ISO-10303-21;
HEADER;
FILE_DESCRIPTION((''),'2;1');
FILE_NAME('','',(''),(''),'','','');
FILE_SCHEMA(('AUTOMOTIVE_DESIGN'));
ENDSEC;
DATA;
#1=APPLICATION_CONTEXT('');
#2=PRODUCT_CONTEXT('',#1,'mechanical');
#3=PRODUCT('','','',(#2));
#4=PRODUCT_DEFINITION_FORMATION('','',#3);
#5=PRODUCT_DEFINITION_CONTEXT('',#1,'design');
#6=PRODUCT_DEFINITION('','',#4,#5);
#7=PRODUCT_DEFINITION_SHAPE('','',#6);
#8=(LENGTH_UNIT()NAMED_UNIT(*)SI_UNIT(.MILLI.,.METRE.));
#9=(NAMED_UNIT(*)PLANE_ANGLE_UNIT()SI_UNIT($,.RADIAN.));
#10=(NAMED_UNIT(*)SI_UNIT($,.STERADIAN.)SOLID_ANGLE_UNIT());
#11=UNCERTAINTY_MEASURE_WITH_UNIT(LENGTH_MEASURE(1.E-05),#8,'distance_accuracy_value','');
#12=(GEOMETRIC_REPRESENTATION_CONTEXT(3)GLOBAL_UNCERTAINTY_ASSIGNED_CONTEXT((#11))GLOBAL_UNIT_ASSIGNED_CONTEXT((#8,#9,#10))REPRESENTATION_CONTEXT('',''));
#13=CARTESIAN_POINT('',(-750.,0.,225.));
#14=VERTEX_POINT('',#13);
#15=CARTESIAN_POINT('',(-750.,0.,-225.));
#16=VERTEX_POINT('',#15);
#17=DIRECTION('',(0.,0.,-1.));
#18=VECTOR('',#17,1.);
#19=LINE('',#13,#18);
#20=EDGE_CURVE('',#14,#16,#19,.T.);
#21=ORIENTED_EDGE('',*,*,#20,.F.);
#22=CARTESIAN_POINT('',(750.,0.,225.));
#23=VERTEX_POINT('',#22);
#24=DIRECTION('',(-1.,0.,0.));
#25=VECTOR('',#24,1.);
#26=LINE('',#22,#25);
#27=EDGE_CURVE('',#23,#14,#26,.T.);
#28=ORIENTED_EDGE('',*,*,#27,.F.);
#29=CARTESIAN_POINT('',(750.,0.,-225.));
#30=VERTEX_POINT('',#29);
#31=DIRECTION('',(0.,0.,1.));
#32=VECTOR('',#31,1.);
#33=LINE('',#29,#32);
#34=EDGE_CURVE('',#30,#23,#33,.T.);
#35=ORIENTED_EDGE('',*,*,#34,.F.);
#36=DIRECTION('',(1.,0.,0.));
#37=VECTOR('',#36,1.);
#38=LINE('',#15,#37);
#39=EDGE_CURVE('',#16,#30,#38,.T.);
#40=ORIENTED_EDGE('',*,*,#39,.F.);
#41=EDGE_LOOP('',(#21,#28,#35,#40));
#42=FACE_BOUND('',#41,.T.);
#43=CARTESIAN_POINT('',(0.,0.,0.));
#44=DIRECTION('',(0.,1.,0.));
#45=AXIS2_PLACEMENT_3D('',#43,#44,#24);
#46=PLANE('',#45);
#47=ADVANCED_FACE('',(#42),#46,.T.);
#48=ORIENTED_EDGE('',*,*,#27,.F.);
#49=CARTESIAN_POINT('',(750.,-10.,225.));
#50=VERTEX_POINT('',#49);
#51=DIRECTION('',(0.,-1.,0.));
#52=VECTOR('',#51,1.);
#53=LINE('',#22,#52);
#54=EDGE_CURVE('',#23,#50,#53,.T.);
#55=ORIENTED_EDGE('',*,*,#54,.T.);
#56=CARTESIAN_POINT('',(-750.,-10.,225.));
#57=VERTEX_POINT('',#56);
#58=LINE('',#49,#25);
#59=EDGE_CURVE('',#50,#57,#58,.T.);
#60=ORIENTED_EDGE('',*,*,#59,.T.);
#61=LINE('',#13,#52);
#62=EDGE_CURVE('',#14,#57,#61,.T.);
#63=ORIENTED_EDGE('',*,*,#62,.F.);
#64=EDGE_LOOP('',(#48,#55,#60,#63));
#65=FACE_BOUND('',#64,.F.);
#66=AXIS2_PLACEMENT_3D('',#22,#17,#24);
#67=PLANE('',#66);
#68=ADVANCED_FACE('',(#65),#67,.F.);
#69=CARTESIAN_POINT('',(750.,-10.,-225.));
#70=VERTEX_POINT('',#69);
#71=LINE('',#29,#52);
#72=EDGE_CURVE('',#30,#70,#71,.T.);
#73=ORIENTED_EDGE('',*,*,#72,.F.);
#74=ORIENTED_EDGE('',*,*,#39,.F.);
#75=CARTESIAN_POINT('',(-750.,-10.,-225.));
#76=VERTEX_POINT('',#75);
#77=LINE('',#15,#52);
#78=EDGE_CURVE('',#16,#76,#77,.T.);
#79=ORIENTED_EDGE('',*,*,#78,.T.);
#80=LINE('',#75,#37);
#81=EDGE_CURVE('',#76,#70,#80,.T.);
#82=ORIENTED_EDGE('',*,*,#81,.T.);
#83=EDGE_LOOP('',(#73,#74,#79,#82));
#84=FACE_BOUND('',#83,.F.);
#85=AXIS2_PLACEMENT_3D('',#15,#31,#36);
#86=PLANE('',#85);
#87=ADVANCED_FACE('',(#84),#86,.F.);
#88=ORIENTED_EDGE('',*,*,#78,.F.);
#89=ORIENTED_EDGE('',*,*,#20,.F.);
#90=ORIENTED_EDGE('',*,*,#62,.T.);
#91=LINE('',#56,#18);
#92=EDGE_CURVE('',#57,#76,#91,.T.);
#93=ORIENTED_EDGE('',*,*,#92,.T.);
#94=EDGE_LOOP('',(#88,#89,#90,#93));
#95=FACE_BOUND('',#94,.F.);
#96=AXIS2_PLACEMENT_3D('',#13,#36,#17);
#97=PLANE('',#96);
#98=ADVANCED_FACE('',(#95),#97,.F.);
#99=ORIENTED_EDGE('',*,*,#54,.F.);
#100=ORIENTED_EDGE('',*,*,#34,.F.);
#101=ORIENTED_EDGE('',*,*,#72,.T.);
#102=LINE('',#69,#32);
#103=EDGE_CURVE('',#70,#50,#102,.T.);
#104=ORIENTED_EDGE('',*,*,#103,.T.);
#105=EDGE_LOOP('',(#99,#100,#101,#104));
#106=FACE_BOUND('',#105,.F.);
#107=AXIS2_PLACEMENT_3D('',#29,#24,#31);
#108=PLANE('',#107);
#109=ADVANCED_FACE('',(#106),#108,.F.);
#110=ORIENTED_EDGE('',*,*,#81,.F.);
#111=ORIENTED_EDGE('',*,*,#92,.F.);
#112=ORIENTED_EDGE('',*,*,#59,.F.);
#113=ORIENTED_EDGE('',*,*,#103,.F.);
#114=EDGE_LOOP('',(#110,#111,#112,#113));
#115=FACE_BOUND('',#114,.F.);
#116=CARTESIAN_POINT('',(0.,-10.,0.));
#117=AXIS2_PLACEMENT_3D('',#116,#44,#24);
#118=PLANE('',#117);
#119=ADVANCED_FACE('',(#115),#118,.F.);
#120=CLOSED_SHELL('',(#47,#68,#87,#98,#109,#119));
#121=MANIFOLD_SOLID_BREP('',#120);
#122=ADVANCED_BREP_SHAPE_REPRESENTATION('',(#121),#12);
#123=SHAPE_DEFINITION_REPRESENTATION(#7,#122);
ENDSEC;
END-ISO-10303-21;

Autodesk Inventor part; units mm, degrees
ref_plane "YZ Plane" through (0, 0, 0) normal (1, 0, 0) x (0, 1, 0)
ref_plane "XZ Plane" through (0, 0, 0) normal (0, 1, 0) x (-1, 0, 0)
ref_plane "XY Plane" through (0, 0, 0) normal (0, 0, 1) x (1, 0, 0)
sketch "Sketch1" plane through (0, 0, 0) normal (0, 1, 0) x (-1, 0, 0)
  line L0 (750, -225) -> (-750, -225)
  line L1 (-750, -225) -> (-750, 225)
  line L2 (-750, 225) -> (750, 225)
  line L3 (750, 225) -> (750, -225)
  line L4 (750, -225) -> (-750, 225) construction
  line L5 (-750, -225) -> (750, 225) construction
  point P0 (0, 0)
  dimension "d0" = 1500
  dimension "d1" = 450
extrude "Extrusion1" add sketch "Sketch1" against normal blind 10
sketch3d "3D Sketch1"
equation "\"d10\" = 0.333333 * d9"
equation "\"d11\" = d10"
equation "\"d16\" = d10"
equation "\"d17\" = d10"
equation "\"d9\" = 1500"
properties part number "roller conveyor 1"
